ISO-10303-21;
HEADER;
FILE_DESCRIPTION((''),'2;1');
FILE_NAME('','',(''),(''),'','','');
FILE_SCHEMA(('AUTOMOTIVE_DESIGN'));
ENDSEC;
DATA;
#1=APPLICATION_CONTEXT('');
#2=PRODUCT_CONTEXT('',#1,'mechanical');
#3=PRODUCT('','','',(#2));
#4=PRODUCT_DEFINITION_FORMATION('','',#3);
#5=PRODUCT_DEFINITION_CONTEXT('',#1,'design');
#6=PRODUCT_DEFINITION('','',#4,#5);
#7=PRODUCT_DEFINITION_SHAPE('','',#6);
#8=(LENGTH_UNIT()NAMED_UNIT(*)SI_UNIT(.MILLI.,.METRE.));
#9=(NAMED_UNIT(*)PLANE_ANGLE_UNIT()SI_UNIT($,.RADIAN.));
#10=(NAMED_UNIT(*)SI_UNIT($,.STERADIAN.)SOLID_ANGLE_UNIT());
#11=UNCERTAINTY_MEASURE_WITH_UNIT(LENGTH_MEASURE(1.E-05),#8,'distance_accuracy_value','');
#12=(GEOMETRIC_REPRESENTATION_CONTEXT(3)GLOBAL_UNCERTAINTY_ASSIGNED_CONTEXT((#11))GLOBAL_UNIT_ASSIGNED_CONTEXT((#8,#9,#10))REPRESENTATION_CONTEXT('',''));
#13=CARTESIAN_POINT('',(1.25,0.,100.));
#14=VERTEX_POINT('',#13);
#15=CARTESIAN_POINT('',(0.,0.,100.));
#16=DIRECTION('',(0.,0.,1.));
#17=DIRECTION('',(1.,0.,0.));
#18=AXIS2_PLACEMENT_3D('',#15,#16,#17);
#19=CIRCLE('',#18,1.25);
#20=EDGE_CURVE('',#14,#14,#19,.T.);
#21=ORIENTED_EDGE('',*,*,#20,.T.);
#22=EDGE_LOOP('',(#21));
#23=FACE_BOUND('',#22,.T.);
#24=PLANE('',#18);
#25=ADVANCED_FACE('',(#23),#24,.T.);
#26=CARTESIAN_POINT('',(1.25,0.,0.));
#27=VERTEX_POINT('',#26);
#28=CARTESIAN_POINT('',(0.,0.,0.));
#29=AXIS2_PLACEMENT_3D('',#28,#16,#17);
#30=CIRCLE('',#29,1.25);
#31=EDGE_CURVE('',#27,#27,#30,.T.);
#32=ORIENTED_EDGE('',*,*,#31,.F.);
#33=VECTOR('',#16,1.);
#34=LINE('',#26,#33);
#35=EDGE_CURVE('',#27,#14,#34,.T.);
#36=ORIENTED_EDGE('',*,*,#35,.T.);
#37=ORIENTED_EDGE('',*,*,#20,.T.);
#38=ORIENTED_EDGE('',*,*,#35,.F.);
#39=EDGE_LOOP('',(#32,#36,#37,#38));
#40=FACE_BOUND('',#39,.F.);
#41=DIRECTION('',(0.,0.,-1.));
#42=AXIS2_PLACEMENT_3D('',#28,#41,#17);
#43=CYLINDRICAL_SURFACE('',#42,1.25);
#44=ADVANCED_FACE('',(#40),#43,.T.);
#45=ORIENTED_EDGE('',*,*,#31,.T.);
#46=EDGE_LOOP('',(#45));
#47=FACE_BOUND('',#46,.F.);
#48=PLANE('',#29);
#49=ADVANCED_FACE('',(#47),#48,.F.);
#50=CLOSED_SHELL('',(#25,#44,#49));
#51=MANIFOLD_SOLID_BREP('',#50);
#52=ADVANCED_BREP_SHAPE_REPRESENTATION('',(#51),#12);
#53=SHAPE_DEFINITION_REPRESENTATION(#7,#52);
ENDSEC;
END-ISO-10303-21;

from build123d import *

# Parameters (mm, degrees)
SKETCH_1_R      = 1.25
EXTRUDE_1_DEPTH = 100


with BuildPart() as part:
    # 草圖1 → 填料-伸長1 (new body)
    with BuildSketch(Plane.XY):
        Circle(SKETCH_1_R)
    extrude(amount=EXTRUDE_1_DEPTH)


solid = part.part
